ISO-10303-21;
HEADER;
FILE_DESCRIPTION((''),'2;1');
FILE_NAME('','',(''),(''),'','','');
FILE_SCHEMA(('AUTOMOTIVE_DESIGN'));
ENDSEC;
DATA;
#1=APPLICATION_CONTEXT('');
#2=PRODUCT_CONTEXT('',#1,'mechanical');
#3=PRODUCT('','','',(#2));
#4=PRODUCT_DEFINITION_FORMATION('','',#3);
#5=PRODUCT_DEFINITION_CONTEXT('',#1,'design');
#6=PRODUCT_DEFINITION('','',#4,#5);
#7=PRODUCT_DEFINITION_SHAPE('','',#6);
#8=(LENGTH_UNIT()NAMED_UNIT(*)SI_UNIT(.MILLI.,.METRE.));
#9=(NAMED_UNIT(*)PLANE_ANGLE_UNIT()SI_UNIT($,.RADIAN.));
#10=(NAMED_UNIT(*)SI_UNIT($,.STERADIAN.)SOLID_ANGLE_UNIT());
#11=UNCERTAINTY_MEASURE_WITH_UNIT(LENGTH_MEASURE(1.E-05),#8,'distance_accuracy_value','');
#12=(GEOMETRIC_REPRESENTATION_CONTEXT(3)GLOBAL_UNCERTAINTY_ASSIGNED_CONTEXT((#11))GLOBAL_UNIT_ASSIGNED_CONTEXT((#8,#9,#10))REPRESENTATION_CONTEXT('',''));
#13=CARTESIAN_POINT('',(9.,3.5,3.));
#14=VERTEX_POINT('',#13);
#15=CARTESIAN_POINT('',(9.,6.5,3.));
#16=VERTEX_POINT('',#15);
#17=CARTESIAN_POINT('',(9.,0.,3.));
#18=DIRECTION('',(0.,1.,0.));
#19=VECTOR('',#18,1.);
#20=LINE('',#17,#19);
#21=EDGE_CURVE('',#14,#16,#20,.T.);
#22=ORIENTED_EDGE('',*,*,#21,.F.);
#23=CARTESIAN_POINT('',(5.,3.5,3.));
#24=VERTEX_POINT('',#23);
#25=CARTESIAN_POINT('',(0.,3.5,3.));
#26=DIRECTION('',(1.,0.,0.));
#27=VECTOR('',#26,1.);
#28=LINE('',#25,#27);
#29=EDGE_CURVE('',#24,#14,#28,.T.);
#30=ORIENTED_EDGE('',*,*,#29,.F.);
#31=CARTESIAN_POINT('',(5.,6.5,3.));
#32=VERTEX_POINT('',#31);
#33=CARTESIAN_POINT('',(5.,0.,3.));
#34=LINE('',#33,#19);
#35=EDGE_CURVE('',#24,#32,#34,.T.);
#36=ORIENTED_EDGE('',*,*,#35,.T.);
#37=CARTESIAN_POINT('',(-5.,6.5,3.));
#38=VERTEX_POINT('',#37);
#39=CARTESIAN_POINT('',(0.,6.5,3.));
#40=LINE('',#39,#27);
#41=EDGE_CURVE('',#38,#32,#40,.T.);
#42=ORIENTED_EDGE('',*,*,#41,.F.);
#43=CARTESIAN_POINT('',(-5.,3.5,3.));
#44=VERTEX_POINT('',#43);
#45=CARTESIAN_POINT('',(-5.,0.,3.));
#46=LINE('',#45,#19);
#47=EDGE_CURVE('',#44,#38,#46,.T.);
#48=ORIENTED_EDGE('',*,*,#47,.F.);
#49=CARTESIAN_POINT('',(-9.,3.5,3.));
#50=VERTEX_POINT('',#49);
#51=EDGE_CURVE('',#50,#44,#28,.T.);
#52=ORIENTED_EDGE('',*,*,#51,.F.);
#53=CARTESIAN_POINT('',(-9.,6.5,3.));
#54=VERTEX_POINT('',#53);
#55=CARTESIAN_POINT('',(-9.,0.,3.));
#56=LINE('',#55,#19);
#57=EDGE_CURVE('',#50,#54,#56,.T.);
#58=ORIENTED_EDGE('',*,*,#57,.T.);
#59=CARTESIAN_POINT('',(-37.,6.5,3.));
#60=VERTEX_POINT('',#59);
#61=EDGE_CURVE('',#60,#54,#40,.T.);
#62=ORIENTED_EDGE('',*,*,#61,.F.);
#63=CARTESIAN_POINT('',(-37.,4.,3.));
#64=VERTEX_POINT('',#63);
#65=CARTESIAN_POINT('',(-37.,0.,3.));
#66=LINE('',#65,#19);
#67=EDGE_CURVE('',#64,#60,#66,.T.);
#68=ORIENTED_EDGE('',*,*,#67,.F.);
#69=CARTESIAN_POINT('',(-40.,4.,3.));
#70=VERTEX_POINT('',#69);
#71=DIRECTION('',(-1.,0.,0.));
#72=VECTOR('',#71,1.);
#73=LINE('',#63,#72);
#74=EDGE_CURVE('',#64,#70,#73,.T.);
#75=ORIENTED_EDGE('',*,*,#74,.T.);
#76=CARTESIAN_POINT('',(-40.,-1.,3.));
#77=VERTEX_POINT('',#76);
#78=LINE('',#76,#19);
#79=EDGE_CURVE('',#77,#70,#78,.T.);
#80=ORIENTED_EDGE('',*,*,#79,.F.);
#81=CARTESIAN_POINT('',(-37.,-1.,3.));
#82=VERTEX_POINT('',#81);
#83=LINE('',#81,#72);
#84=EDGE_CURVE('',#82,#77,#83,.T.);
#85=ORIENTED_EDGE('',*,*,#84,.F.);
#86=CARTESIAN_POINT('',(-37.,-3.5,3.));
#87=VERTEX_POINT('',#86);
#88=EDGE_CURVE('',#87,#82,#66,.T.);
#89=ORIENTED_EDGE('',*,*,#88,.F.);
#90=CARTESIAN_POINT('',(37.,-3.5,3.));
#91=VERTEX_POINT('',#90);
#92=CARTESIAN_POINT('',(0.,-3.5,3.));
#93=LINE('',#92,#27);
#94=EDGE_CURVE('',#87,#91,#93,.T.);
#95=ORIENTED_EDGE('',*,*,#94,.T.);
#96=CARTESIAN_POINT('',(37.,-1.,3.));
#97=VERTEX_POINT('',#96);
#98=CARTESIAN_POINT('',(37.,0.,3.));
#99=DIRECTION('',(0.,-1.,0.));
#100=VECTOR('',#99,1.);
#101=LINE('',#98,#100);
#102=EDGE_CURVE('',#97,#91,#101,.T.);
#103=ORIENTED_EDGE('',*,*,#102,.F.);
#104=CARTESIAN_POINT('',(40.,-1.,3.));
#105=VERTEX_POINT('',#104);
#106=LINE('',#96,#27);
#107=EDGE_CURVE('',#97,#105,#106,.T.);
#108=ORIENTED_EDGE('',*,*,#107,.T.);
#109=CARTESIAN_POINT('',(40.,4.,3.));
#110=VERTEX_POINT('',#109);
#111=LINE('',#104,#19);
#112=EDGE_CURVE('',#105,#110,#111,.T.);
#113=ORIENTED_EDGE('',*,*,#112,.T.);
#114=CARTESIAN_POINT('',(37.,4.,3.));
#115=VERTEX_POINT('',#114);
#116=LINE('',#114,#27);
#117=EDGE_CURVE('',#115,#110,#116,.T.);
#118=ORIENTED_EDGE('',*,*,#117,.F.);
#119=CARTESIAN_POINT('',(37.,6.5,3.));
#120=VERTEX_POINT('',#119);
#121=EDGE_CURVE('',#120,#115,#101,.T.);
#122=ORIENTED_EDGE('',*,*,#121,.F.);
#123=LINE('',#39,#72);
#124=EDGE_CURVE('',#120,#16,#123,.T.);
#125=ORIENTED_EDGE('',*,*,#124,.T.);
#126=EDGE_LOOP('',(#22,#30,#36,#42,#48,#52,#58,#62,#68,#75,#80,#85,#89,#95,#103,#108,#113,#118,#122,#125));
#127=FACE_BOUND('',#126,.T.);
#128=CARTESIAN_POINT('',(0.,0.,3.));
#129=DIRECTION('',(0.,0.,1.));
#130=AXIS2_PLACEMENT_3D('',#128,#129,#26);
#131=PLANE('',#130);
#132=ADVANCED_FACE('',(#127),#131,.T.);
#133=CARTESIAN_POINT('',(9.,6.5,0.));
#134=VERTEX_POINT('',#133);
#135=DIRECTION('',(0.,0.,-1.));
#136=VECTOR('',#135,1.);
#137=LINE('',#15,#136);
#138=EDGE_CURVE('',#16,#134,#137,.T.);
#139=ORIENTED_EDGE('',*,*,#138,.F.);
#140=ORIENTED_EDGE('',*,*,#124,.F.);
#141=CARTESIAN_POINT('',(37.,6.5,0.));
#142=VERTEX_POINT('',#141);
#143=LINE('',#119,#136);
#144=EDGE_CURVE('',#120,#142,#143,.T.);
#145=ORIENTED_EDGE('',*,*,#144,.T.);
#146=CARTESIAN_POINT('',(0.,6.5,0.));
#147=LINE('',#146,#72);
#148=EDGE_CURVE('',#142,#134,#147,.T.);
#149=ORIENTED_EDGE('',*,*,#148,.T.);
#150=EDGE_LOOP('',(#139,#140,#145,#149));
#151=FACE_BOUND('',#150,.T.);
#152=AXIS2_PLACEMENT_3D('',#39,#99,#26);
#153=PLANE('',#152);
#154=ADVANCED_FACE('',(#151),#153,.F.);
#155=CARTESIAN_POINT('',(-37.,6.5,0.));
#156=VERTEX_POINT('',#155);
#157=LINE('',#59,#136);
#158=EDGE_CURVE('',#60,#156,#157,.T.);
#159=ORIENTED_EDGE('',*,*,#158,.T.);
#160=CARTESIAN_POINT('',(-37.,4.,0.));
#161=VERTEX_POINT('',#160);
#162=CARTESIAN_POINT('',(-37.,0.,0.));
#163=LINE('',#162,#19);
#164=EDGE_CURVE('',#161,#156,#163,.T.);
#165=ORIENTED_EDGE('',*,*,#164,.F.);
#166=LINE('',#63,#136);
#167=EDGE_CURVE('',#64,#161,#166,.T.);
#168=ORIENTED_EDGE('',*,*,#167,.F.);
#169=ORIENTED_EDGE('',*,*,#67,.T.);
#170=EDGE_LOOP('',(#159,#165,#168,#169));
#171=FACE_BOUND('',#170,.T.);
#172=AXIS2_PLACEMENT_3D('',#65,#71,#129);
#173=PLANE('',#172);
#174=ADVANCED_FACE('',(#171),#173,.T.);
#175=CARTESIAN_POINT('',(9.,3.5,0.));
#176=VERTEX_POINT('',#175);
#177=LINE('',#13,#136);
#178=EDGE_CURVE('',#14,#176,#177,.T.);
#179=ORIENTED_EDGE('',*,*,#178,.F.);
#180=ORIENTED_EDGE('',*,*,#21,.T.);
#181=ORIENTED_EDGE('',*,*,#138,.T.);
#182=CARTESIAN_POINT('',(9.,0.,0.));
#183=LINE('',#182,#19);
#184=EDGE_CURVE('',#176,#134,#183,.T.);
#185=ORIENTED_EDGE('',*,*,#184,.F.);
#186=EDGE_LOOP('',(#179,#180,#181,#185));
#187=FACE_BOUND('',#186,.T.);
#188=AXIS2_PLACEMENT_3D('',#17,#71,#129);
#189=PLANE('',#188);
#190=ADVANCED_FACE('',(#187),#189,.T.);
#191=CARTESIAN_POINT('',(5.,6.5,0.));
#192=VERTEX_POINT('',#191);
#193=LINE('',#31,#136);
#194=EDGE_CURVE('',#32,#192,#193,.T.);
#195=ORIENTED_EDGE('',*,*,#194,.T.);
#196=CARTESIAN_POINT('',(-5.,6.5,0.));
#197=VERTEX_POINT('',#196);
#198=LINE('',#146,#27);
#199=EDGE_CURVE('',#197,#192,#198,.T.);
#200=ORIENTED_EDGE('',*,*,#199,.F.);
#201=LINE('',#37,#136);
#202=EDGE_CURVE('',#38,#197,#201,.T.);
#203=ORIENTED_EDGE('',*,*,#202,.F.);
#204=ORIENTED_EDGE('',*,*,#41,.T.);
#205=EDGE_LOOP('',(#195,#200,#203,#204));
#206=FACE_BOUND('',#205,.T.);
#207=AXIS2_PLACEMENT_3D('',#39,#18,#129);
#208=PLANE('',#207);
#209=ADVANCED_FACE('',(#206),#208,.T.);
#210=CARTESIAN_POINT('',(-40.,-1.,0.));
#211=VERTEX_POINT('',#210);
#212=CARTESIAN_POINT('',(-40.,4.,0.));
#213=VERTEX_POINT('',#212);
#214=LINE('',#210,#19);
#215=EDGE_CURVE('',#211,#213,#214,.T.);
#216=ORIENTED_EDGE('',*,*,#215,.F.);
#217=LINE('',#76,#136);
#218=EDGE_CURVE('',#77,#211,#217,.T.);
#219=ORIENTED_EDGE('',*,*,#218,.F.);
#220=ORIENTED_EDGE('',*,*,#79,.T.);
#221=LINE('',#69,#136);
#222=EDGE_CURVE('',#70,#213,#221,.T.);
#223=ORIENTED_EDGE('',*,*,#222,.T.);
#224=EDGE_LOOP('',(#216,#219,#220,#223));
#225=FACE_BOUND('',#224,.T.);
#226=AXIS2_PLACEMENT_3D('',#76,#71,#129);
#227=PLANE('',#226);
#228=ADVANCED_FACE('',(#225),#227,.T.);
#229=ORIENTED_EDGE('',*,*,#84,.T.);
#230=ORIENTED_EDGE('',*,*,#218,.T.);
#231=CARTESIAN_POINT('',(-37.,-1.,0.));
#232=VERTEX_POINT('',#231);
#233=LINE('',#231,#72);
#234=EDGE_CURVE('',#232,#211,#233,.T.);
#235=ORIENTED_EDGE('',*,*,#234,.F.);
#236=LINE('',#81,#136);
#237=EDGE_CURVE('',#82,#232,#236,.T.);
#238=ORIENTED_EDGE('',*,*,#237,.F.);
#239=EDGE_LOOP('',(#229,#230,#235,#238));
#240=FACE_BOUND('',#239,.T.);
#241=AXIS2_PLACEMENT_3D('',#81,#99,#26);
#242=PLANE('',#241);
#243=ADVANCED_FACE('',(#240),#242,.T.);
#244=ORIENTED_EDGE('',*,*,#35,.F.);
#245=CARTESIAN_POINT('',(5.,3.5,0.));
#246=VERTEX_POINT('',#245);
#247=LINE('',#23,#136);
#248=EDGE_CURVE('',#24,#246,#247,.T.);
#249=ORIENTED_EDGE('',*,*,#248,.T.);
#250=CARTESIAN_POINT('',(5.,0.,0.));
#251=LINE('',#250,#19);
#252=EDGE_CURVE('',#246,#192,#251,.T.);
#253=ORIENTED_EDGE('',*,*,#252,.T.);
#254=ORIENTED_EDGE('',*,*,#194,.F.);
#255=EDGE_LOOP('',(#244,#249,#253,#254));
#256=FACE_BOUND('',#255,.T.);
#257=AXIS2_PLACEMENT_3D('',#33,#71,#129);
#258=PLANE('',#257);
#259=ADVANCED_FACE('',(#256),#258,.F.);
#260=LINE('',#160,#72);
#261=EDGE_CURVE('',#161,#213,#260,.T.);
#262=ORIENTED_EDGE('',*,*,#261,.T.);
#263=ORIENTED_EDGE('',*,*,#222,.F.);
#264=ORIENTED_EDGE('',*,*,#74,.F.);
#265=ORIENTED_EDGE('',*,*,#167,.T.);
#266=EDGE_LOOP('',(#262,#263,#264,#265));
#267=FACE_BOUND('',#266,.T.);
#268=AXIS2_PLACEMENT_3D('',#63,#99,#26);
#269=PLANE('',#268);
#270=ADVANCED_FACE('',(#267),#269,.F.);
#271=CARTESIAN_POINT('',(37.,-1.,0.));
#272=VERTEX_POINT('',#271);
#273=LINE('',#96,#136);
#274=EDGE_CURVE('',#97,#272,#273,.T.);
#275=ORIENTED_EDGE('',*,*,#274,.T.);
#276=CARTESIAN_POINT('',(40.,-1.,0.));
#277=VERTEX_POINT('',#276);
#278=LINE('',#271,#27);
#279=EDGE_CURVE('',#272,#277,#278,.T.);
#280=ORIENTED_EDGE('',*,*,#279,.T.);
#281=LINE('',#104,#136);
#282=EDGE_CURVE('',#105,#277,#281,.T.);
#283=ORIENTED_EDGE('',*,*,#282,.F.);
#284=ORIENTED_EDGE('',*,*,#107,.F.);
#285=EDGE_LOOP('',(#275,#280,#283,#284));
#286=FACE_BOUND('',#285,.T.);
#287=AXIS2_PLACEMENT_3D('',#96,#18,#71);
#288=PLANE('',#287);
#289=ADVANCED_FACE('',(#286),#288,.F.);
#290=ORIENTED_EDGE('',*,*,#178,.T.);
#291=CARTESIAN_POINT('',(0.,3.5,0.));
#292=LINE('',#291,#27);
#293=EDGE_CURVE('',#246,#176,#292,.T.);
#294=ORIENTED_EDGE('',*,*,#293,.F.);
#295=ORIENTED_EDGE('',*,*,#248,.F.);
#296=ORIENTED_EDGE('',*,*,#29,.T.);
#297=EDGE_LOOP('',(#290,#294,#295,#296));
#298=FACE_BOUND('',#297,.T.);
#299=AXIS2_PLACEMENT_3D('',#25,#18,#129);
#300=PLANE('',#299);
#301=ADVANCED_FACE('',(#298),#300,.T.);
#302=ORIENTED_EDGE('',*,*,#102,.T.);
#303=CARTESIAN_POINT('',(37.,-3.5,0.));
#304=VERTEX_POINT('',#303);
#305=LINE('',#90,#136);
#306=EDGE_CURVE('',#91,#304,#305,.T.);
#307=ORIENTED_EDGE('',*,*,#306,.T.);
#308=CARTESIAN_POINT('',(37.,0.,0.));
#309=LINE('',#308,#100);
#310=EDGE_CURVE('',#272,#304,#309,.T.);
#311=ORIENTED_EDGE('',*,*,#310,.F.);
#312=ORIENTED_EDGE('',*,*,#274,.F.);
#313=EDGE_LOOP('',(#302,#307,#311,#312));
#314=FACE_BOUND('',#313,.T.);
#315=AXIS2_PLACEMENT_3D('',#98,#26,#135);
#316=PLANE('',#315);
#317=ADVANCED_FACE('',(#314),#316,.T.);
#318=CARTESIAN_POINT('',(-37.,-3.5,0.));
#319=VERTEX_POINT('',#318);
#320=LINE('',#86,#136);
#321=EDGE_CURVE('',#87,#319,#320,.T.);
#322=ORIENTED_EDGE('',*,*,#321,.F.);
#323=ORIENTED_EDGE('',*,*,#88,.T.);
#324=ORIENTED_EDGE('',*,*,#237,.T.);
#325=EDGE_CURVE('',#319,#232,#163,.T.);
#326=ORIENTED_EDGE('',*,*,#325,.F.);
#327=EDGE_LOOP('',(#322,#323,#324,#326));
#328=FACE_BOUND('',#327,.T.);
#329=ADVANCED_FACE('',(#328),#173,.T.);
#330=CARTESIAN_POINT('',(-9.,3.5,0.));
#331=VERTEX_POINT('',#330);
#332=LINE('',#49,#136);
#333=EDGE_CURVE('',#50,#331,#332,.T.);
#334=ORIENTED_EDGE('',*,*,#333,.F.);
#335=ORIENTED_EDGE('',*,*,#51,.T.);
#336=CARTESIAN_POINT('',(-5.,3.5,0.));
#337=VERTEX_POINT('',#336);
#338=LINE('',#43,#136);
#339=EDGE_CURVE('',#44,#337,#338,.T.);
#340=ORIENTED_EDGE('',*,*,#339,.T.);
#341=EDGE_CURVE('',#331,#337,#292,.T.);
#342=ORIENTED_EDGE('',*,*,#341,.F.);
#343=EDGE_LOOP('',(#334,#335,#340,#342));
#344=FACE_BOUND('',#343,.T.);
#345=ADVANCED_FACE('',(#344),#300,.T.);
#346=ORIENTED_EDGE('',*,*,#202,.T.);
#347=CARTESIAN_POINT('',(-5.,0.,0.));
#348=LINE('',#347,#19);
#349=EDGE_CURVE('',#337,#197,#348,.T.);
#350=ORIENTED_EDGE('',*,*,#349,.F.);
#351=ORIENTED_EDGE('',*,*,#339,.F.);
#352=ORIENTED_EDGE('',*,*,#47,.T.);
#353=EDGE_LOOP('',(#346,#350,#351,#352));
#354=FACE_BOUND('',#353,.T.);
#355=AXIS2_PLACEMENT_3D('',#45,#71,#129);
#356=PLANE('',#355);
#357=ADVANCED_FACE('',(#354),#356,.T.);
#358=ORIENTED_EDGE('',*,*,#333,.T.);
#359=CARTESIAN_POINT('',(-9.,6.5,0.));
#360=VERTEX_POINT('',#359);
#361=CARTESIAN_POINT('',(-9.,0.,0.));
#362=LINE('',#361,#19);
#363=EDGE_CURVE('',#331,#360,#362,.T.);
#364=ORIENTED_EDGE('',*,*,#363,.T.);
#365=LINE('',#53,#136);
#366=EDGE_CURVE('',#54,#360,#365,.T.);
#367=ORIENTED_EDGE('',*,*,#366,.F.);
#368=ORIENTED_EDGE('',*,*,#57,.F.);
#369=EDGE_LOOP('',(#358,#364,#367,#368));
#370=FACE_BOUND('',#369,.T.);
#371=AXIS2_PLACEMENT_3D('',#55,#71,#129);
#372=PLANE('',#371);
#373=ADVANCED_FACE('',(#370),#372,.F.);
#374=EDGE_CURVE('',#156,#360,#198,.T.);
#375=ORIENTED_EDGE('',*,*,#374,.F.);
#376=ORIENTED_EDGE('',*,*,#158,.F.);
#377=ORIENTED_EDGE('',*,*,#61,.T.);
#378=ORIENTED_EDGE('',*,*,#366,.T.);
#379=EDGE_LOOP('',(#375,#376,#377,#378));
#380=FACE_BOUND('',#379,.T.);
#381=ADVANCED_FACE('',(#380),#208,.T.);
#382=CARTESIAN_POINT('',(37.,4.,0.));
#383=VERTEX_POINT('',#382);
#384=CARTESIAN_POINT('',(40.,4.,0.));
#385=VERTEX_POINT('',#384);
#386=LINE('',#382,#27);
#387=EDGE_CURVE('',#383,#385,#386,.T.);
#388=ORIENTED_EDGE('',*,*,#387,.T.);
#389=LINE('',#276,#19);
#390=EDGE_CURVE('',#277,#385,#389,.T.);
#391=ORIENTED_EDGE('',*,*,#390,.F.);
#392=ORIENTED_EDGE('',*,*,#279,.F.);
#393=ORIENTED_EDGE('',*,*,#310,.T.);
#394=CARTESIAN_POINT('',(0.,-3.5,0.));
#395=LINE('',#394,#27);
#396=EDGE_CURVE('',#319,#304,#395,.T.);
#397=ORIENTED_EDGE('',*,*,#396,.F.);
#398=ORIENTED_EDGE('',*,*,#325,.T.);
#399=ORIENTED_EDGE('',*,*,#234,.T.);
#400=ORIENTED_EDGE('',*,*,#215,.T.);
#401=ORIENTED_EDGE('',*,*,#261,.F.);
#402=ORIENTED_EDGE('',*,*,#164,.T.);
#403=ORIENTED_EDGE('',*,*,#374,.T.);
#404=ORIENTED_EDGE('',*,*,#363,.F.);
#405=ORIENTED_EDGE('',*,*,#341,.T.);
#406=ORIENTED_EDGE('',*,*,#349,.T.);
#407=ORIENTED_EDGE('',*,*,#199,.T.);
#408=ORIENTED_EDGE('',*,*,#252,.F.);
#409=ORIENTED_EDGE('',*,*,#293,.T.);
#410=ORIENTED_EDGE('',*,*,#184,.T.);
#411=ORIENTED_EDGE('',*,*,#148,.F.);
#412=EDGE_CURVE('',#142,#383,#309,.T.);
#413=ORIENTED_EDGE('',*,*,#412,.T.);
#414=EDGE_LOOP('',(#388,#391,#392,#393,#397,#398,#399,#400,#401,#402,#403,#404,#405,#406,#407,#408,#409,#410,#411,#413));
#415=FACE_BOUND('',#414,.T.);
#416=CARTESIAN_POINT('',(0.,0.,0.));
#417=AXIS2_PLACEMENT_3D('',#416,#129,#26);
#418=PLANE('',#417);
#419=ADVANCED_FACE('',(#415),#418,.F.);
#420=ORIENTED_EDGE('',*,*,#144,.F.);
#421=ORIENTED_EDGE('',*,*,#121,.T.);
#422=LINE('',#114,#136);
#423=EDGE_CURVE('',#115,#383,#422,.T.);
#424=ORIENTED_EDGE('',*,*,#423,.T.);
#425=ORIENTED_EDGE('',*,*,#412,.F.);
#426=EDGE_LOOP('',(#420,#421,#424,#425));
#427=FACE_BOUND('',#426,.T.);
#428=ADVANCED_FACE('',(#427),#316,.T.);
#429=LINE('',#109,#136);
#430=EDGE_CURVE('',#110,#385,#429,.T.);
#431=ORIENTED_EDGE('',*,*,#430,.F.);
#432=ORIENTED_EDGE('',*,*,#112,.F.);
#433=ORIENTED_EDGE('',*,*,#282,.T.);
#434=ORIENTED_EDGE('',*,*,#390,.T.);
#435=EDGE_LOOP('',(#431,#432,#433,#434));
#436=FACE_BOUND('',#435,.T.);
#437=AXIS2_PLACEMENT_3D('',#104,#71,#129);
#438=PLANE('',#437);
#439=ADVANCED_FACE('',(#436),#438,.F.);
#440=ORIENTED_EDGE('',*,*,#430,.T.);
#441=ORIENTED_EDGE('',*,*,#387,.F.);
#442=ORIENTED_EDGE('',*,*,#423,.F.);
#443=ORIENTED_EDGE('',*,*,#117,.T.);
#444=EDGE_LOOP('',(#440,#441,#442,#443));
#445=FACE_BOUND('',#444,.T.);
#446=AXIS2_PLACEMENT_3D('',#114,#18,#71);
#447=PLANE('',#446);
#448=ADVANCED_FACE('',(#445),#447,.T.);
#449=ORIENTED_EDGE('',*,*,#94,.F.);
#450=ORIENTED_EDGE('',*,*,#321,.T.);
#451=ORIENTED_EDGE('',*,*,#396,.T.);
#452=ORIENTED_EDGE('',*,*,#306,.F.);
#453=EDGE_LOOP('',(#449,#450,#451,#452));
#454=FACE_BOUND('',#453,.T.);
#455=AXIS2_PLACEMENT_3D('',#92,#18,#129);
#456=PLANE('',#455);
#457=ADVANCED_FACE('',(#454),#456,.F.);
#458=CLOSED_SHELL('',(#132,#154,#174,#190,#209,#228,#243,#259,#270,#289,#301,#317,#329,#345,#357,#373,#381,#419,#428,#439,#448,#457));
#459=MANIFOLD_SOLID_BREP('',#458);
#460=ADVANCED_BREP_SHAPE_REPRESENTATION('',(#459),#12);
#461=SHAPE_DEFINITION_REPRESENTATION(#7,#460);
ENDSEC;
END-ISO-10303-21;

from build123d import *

# Parameters (mm, degrees)
SKETCH_1_W      = 74
SKETCH_1_H      = 7
SKETCH_1_W_2    = 10
SKETCH_1_H_2    = 3
SKETCH_1_W_3    = 3
SKETCH_1_H_3    = 5
EXTRUDE_1_DEPTH = 3


with BuildPart() as part:
    # 草圖1 → 填料-伸長1 (new body)
    with BuildSketch(Plane.XY):
        Polygon((-37, 4), (-37, 3.5), (-9, 3.5), (-9, 6.5), (-37, 6.5), align=None)
        Rectangle(SKETCH_1_W, SKETCH_1_H)
        with Locations((0, 5)):
            Rectangle(SKETCH_1_W_2, SKETCH_1_H_2)
        Polygon((9, 6.5), (9, 3.5), (37, 3.5), (37, 4), (37, 6.5), align=None)
        with Locations((-38.5, 1.5)):
            Rectangle(SKETCH_1_W_3, SKETCH_1_H_3)
        with Locations((38.5, 1.5)):
            Rectangle(SKETCH_1_W_3, SKETCH_1_H_3)
    extrude(amount=EXTRUDE_1_DEPTH)


solid = part.part
